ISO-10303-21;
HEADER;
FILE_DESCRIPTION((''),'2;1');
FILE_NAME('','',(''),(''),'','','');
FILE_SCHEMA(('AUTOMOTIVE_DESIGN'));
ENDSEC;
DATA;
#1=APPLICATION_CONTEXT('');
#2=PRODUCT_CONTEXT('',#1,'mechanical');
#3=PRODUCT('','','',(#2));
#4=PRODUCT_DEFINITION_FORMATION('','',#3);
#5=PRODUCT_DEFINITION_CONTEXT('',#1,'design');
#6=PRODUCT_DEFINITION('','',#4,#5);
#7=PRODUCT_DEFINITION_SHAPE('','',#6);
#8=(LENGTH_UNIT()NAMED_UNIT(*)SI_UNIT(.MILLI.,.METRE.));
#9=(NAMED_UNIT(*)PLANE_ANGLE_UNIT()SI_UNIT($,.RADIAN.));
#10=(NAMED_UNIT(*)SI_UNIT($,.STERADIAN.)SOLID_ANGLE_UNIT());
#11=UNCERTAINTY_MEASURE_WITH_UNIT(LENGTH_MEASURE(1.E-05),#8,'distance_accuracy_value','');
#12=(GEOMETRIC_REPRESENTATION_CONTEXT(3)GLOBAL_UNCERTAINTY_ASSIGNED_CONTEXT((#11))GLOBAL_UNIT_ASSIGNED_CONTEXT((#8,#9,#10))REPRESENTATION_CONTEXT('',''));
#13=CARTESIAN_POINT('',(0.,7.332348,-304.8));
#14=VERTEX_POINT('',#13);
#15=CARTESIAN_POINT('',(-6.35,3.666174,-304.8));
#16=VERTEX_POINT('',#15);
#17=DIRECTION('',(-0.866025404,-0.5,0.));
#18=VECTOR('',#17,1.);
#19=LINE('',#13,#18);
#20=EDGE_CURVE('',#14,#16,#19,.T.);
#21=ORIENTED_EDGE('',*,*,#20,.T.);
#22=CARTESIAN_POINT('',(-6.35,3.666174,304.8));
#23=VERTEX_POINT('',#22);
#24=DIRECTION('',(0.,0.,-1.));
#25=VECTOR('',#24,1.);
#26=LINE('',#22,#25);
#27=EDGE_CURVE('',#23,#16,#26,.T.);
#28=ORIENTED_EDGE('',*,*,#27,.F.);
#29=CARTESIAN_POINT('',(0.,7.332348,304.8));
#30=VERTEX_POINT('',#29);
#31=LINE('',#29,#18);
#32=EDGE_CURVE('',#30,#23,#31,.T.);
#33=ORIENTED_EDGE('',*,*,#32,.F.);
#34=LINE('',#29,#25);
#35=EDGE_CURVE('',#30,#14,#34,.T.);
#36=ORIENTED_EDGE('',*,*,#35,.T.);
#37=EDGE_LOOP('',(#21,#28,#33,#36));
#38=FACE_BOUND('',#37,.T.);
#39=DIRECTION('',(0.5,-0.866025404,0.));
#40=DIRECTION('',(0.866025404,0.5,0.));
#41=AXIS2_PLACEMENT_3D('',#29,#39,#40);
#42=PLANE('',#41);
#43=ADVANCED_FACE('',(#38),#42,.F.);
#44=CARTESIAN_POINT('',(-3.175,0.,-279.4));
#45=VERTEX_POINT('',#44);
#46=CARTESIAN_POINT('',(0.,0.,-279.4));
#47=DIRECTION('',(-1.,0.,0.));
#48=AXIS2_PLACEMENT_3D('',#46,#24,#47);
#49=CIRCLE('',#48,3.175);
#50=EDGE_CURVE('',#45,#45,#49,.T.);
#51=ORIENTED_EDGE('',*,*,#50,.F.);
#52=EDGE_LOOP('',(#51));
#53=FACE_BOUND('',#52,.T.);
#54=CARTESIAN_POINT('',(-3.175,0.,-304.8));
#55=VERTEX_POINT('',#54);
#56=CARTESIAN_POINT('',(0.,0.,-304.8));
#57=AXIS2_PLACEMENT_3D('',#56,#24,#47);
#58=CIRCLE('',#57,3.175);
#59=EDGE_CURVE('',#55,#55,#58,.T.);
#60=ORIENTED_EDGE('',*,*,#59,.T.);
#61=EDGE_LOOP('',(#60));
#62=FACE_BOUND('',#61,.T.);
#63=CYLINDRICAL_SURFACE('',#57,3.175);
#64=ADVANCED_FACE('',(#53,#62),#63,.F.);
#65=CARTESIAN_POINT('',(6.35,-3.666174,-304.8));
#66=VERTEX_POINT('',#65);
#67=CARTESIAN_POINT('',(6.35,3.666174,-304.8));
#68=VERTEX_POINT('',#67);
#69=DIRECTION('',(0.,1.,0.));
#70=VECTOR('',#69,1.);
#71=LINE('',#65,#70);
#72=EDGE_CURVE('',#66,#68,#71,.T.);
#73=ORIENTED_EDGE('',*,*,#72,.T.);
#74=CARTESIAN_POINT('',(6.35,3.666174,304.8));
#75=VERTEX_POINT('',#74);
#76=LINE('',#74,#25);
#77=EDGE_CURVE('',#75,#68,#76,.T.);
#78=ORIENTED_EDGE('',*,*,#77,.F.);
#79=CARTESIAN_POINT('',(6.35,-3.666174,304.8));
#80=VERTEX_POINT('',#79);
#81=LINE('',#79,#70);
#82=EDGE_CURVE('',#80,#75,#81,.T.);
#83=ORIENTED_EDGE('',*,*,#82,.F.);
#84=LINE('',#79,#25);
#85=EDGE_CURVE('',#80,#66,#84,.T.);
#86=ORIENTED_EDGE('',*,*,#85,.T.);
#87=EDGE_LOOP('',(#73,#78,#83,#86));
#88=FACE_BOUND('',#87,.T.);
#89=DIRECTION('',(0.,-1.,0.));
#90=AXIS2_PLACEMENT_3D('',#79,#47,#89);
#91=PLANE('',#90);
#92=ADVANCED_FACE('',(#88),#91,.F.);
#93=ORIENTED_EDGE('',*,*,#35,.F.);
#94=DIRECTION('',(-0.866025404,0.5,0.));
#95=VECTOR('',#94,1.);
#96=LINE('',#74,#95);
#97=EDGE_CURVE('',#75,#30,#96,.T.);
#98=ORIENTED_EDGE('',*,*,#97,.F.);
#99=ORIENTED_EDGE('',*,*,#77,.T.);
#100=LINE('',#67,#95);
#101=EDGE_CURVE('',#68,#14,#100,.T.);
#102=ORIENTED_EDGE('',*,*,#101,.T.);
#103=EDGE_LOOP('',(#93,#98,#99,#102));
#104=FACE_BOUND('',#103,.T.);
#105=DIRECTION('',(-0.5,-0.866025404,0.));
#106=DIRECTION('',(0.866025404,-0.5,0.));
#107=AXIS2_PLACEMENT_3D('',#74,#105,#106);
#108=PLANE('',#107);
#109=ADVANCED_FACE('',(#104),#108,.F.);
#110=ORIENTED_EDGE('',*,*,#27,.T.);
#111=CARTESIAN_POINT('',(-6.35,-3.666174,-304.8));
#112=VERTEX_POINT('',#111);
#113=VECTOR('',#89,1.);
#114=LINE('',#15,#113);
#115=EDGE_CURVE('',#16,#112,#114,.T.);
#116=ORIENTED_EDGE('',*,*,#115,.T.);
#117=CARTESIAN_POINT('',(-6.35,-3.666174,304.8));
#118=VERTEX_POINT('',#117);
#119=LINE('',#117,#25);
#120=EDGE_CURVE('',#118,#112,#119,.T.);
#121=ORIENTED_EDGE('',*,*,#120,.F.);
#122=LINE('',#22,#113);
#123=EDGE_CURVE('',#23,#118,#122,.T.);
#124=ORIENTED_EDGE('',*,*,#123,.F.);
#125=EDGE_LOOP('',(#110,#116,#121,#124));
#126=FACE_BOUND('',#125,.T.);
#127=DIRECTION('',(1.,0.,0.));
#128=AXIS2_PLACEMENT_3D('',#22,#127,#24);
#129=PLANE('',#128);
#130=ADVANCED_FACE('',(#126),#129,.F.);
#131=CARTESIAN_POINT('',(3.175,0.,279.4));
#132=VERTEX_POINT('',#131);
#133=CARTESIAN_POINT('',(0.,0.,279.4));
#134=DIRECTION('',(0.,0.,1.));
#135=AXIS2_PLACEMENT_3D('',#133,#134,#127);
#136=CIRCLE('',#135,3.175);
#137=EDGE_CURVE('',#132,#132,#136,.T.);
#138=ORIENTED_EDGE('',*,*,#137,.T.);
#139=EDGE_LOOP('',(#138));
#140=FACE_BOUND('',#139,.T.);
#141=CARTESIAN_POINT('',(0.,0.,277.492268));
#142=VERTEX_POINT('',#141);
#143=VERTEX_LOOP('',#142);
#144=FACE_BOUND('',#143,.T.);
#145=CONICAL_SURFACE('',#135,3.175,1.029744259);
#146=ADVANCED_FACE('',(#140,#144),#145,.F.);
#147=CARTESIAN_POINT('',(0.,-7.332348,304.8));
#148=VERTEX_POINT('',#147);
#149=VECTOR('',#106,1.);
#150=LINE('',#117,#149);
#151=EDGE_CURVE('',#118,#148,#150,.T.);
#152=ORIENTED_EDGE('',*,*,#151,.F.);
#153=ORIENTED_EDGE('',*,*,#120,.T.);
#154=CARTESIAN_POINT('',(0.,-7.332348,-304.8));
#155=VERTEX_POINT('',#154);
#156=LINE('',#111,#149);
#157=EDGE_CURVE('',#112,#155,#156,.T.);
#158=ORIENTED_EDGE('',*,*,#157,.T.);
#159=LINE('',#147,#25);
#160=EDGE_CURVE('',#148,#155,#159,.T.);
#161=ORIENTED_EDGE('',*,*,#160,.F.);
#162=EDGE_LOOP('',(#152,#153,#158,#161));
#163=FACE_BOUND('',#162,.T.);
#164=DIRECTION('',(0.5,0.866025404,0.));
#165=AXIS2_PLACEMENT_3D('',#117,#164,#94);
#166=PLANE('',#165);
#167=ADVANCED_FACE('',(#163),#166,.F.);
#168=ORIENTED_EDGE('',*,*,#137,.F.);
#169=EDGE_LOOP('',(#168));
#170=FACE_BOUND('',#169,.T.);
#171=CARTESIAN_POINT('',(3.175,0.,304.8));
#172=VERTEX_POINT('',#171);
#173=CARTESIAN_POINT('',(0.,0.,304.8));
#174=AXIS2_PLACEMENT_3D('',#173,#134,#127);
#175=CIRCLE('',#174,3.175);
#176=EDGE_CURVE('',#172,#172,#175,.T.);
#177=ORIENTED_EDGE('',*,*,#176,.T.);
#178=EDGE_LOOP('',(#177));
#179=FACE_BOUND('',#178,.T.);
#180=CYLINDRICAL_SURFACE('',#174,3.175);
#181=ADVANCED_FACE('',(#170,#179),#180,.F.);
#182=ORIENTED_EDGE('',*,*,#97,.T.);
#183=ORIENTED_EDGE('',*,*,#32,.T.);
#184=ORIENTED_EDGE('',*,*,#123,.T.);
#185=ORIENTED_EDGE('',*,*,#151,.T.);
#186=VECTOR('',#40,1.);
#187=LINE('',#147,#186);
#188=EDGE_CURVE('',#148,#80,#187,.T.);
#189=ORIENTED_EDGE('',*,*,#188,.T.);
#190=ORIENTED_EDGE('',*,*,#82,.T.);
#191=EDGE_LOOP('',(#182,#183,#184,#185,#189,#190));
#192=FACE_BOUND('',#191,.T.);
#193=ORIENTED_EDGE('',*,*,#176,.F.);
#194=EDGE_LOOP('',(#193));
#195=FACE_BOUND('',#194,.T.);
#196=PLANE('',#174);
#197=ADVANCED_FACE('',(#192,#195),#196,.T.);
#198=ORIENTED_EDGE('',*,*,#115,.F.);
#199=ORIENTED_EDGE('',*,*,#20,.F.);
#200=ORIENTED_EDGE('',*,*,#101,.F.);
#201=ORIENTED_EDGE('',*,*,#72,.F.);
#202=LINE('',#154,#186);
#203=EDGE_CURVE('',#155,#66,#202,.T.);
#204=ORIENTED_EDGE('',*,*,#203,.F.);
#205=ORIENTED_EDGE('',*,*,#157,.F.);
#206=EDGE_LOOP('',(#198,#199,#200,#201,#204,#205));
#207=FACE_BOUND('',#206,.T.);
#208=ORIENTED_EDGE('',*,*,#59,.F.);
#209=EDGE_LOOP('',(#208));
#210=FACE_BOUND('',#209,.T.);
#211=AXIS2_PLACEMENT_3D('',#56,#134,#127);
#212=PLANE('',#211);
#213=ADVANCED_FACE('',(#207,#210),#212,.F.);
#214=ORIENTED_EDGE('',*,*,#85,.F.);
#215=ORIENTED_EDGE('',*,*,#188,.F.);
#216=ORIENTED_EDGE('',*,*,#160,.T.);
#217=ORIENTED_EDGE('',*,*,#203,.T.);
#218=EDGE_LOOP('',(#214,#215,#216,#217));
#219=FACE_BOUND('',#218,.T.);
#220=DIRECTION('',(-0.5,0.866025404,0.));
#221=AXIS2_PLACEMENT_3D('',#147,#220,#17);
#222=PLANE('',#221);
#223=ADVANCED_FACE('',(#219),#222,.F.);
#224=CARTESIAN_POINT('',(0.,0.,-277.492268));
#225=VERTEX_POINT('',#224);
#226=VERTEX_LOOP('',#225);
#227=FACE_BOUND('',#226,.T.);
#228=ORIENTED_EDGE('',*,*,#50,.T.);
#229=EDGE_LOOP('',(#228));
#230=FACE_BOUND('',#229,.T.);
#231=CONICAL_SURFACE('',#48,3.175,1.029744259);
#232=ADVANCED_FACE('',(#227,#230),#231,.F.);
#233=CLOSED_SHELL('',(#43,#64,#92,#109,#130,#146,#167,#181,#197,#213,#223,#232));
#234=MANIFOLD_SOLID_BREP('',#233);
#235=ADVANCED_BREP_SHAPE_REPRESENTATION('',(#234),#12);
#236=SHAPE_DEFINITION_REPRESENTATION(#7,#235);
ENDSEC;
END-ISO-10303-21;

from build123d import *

# Parameters (mm, degrees)
BOSS_EXTRUDE2_DEPTH             = 304.8
BOSS_EXTRUDE2_DEPTH_BACK        = 304.8
F_1_4_0_25_DIAMETER_HOLE1_D     = 6.35
F_1_4_0_25_DIAMETER_HOLE1_DEPTH = 25.4
F_1_4_0_25_DIAMETER_HOLE1_TIP   = 1.907732465
F_1_4_0_25_DIAMETER_HOLE2_D     = 6.35
F_1_4_0_25_DIAMETER_HOLE2_DEPTH = 25.4
F_1_4_0_25_DIAMETER_HOLE2_TIP   = 1.907732465


with BuildPart() as part:
    # Sketch3 → Boss-Extrude2 (new, two sides: drawn at the far end of the back side and taken through both)
    with BuildSketch(Plane.XY.offset(-BOSS_EXTRUDE2_DEPTH_BACK)):
        Polygon((-6.35, -3.666174209), (0, -7.332348419), (6.35, -3.666174209), (6.35, 3.666174209), (0, 7.332348419), (-6.35, 3.666174209), align=None)
    extrude(amount=BOSS_EXTRUDE2_DEPTH + BOSS_EXTRUDE2_DEPTH_BACK)

    # 1/4 (0.25) Diameter Hole1
    with Locations(Plane.XY.offset(304.8)):
        with Locations((0, 0)):
            Hole(F_1_4_0_25_DIAMETER_HOLE1_D / 2, depth=F_1_4_0_25_DIAMETER_HOLE1_DEPTH)
            with Locations((0, 0, -(F_1_4_0_25_DIAMETER_HOLE1_DEPTH + F_1_4_0_25_DIAMETER_HOLE1_TIP / 2))):  # 118° drill point
                Cone(0, F_1_4_0_25_DIAMETER_HOLE1_D / 2, F_1_4_0_25_DIAMETER_HOLE1_TIP, mode=Mode.SUBTRACT)

    # 1/4 (0.25) Diameter Hole2
    with Locations(Plane(origin=(0, 0, -304.8), x_dir=(-1, 0, 0), z_dir=(0, 0, -1))):
        with Locations((0, 0)):
            Hole(F_1_4_0_25_DIAMETER_HOLE2_D / 2, depth=F_1_4_0_25_DIAMETER_HOLE2_DEPTH)
            with Locations((0, 0, -(F_1_4_0_25_DIAMETER_HOLE2_DEPTH + F_1_4_0_25_DIAMETER_HOLE2_TIP / 2))):  # 118° drill point
                Cone(0, F_1_4_0_25_DIAMETER_HOLE2_D / 2, F_1_4_0_25_DIAMETER_HOLE2_TIP, mode=Mode.SUBTRACT)


solid = part.part
